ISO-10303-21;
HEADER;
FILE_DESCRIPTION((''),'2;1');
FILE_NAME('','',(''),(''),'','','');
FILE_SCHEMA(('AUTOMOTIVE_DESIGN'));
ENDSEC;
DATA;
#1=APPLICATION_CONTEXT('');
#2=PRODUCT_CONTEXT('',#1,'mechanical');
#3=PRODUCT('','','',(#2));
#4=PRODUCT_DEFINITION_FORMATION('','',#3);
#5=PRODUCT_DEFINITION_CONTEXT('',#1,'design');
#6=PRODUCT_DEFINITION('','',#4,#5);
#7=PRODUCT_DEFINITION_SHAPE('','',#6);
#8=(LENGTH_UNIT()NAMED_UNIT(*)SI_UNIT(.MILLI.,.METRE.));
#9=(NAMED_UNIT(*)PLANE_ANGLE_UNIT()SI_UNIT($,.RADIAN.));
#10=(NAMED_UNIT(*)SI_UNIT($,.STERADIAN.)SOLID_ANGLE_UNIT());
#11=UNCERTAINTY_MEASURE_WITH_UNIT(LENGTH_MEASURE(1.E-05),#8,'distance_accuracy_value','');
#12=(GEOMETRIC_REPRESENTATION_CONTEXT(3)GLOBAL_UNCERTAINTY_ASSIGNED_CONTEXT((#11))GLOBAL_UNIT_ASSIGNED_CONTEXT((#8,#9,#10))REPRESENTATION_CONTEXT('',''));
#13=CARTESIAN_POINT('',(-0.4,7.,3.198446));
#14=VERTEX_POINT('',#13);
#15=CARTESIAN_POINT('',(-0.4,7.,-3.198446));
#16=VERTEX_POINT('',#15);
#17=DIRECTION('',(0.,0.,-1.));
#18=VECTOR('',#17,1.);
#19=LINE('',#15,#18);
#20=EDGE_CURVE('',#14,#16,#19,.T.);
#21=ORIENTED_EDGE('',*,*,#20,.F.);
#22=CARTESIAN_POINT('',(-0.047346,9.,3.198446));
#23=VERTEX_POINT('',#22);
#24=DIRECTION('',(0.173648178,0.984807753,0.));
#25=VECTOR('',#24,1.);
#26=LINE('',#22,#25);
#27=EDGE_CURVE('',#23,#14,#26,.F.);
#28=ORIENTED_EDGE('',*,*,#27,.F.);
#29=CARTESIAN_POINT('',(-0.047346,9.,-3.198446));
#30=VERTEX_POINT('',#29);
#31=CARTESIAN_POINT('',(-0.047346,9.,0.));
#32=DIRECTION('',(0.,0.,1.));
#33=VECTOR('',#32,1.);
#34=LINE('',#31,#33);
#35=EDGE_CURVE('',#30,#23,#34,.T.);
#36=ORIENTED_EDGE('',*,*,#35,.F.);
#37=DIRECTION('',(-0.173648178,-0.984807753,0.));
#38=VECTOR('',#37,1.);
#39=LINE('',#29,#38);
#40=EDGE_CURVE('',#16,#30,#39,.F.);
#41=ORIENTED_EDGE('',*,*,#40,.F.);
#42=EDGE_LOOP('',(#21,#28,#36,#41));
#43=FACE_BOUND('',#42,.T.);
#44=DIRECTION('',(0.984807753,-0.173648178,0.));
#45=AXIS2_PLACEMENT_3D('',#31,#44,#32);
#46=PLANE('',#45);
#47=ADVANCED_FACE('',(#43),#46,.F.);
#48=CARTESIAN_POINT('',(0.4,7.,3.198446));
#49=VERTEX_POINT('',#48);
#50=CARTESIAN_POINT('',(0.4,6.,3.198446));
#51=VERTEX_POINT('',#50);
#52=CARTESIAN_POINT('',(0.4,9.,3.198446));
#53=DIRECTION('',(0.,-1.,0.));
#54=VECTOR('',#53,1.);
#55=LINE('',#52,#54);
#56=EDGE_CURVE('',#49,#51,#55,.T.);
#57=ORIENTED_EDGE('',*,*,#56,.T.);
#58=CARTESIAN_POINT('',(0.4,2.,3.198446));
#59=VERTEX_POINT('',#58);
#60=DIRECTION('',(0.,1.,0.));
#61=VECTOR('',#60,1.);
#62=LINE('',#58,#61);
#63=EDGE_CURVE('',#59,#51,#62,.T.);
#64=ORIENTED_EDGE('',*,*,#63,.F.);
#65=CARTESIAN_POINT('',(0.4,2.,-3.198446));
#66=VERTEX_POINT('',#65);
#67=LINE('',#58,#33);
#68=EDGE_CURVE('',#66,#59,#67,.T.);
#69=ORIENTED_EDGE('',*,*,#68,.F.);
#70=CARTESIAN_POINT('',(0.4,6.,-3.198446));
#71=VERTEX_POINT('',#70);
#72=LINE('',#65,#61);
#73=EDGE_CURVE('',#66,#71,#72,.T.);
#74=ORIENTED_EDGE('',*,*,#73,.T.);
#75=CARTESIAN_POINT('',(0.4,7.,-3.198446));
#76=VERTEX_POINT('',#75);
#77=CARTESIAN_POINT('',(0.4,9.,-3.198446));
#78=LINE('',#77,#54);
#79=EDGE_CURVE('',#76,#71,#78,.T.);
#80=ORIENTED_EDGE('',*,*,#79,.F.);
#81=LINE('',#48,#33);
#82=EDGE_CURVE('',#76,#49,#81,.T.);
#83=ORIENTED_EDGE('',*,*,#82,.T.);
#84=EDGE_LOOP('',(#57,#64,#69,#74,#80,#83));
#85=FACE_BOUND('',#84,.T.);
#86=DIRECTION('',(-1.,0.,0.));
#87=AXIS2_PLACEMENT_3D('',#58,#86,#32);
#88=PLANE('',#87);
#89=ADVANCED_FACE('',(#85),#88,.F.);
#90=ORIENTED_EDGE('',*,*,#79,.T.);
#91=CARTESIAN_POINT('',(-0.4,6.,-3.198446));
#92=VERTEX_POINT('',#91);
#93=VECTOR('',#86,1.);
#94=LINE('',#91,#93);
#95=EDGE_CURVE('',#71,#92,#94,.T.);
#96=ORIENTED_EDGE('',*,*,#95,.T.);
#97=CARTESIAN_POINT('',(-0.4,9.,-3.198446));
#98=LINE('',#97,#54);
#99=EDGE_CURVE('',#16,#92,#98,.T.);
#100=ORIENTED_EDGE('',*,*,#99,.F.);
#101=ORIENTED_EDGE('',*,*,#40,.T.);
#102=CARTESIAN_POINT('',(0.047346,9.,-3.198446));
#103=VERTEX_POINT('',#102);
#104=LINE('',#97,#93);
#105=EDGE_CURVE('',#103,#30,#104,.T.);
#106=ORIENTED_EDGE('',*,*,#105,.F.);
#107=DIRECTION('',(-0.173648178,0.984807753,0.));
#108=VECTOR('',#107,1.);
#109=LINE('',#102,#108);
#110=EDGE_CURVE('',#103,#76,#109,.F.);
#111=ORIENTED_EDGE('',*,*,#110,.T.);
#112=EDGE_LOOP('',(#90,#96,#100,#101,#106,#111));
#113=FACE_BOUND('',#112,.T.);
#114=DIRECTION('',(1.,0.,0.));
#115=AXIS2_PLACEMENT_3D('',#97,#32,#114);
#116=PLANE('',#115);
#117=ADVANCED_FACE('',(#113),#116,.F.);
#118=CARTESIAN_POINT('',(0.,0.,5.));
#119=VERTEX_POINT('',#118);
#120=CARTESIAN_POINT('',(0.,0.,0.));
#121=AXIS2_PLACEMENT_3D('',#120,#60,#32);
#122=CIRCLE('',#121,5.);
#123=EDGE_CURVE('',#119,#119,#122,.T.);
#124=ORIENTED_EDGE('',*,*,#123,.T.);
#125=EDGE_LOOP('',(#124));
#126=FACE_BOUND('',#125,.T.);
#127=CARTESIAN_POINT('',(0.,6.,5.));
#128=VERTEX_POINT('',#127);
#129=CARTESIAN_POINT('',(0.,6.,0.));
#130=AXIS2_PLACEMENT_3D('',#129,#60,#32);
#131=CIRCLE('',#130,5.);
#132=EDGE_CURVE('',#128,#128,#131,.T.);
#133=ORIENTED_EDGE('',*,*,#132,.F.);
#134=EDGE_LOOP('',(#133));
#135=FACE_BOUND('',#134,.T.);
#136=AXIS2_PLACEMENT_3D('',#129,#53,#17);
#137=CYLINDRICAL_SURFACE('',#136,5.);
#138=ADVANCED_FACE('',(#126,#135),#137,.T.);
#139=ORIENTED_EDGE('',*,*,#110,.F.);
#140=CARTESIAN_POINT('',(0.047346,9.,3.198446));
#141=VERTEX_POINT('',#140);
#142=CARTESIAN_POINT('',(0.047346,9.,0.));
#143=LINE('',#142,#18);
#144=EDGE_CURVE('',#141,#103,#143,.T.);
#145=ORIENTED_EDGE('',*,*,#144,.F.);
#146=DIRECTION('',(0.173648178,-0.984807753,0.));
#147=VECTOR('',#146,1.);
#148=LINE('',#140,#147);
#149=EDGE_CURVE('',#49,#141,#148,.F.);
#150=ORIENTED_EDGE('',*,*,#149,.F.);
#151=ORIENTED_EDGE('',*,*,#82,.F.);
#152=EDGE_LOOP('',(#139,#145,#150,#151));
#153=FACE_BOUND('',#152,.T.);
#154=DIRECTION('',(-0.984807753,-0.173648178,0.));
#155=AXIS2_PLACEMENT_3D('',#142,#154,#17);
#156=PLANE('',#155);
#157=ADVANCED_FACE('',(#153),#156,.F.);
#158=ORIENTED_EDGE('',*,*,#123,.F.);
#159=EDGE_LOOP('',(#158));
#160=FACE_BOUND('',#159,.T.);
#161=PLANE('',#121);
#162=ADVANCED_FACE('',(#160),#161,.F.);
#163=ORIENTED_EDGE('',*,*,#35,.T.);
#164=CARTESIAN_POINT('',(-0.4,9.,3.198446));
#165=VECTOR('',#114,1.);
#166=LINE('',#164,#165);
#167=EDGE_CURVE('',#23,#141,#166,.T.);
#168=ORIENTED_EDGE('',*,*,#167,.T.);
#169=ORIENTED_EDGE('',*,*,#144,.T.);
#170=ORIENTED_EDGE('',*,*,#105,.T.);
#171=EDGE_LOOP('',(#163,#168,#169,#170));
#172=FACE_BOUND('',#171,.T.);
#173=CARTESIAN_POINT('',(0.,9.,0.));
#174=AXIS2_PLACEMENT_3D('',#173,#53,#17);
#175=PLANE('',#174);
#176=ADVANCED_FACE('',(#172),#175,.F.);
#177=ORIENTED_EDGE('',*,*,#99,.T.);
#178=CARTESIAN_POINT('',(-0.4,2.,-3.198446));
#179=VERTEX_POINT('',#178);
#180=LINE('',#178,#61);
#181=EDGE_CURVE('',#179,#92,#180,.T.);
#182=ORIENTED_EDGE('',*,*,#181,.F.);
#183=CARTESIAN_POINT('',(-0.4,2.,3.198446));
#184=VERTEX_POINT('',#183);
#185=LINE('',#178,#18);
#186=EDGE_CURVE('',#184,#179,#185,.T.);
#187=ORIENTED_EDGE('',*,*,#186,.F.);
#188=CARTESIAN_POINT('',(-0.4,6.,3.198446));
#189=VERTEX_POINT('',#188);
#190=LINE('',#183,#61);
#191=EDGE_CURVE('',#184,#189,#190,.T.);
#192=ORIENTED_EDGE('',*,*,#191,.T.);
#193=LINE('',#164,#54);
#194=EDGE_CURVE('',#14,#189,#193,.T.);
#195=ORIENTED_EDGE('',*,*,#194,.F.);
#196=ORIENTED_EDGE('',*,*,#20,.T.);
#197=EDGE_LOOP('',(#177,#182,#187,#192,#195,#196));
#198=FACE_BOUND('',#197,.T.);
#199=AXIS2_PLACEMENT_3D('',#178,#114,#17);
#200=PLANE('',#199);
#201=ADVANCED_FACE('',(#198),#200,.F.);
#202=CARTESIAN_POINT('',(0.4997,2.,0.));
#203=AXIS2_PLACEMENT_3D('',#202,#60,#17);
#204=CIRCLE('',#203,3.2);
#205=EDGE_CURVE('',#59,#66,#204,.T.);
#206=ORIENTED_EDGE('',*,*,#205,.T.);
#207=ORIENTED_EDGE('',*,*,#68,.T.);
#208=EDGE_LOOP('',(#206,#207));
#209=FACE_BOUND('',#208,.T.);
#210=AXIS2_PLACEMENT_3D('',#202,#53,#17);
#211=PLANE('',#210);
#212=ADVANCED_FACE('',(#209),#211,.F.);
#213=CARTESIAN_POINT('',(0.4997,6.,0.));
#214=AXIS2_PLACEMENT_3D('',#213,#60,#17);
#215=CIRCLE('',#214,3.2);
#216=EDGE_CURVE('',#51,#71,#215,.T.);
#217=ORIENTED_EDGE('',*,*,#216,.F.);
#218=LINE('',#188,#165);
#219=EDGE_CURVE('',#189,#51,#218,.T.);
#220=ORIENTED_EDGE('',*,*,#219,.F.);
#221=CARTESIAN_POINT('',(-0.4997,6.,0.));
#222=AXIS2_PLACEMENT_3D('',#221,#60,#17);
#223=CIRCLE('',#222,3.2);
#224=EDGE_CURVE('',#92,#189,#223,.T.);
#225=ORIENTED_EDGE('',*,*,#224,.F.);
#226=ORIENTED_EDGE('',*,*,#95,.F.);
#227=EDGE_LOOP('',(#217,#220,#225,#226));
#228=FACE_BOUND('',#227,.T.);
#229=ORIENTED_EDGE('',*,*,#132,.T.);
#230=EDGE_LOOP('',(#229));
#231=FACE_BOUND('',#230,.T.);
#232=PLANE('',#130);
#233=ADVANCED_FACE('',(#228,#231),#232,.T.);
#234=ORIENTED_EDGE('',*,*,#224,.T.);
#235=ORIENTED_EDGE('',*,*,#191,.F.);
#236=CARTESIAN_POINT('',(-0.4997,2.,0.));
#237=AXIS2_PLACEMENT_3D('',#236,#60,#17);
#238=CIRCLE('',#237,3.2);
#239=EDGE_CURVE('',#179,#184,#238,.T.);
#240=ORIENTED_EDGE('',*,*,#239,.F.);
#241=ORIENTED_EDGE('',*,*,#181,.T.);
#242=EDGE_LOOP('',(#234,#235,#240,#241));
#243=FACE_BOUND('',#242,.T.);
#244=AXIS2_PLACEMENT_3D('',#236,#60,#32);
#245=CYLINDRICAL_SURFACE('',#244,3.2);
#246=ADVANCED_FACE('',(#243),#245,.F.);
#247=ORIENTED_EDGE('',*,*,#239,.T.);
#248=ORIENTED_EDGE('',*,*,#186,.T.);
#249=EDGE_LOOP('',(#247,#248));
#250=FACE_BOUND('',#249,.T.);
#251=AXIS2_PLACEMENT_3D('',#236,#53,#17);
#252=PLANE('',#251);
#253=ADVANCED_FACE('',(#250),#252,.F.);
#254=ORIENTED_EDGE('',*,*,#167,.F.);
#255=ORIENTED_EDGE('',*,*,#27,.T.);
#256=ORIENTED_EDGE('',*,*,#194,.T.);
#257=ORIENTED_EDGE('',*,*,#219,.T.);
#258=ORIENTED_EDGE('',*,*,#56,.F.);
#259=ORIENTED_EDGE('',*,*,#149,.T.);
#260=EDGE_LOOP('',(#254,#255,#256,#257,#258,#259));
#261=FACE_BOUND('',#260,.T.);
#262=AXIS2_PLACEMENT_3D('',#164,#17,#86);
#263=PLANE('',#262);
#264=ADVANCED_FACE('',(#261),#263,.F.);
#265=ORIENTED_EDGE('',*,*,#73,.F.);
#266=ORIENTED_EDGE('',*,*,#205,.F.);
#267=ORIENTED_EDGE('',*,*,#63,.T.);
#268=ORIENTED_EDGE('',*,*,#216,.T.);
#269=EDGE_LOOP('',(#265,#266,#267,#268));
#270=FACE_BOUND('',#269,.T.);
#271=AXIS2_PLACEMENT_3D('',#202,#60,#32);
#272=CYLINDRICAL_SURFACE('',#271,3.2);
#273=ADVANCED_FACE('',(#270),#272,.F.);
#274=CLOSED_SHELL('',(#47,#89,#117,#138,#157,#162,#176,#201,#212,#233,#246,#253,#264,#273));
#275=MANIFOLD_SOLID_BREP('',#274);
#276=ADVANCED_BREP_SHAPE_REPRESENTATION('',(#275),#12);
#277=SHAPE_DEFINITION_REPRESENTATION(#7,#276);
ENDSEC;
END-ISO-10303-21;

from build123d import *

# Parameters (mm, degrees)
SKETCH_1_R             = 5
EXTRUDE_1_DEPTH        = 6
CUT_EXTRUDE_1_DEPTH    = 4
SKETCH_3_W             = 0.8
SKETCH_3_H             = 6.396892992
EXTRUDE_2_DEPTH        = 3
CHAMFER_1_SIZE         = 2
CHAMFER_1_SIZE2        = 0.352653961
CHAMFER_1_PART_2_SIZE  = 2
CHAMFER_1_PART_2_SIZE2 = 0.352653961


with BuildPart() as part:
    # Эскиз1 → Бобышка-Вытянуть1 (new body)
    with BuildSketch(Plane(origin=(0, 0, 0), x_dir=(1, 0, 0), z_dir=(0, 1, 0))):
        with Locations(Location((0, 0, 0), (0, 0, 270))):  # turned: the seam where the file's is
            Circle(SKETCH_1_R)
    extrude(amount=EXTRUDE_1_DEPTH)

    # Эскиз2 → Вырез-Вытянуть1 (cut)
    with BuildSketch(Plane(origin=(0, 6, 0), x_dir=(1, 0, 0), z_dir=(0, 1, 0))):
        with BuildLine():
            Line((-0.4, 3.198446496), (-0.4, -3.198446496))
            ThreePointArc((-0.4, -3.198446496), (-3.699699625, 0), (-0.4, 3.198446496))
        make_face()
        with BuildLine():
            Line((0.4, -3.198446496), (0.4, 3.198446496))
            ThreePointArc((0.4, 3.198446496), (3.699699625, 0), (0.4, -3.198446496))
        make_face()
    extrude(amount=-CUT_EXTRUDE_1_DEPTH, mode=Mode.SUBTRACT)

    # Эскиз3 → Бобышка-Вытянуть2 (add)
    with BuildSketch(Plane(origin=(0, 6, 0), x_dir=(1, 0, 0), z_dir=(0, 1, 0))):
        Rectangle(SKETCH_3_W, SKETCH_3_H)
    extrude(amount=EXTRUDE_2_DEPTH)

    # Фаска1
    chamfer_1_edges = [part.edges().sort_by_distance(p)[0] for p in [
        (0.4, 9, 0),
    ]]
    chamfer_1_side = [part.faces().sort_by_distance(p)[0] for p in [
        (0.4, 5.5, 0),
    ]]
    chamfer(chamfer_1_edges, length=CHAMFER_1_SIZE, length2=CHAMFER_1_SIZE2, reference=chamfer_1_side[0])

    # Фаска1 part 2
    chamfer_1_part_2_edges = [part.edges().sort_by_distance(p)[0] for p in [
        (-0.4, 9, 0),
    ]]
    chamfer_1_part_2_side = [part.faces().sort_by_distance(p)[0] for p in [
        (-0.4, 5.5, 0),
    ]]
    chamfer(chamfer_1_part_2_edges, length=CHAMFER_1_PART_2_SIZE, length2=CHAMFER_1_PART_2_SIZE2, reference=chamfer_1_part_2_side[0])


solid = part.part
